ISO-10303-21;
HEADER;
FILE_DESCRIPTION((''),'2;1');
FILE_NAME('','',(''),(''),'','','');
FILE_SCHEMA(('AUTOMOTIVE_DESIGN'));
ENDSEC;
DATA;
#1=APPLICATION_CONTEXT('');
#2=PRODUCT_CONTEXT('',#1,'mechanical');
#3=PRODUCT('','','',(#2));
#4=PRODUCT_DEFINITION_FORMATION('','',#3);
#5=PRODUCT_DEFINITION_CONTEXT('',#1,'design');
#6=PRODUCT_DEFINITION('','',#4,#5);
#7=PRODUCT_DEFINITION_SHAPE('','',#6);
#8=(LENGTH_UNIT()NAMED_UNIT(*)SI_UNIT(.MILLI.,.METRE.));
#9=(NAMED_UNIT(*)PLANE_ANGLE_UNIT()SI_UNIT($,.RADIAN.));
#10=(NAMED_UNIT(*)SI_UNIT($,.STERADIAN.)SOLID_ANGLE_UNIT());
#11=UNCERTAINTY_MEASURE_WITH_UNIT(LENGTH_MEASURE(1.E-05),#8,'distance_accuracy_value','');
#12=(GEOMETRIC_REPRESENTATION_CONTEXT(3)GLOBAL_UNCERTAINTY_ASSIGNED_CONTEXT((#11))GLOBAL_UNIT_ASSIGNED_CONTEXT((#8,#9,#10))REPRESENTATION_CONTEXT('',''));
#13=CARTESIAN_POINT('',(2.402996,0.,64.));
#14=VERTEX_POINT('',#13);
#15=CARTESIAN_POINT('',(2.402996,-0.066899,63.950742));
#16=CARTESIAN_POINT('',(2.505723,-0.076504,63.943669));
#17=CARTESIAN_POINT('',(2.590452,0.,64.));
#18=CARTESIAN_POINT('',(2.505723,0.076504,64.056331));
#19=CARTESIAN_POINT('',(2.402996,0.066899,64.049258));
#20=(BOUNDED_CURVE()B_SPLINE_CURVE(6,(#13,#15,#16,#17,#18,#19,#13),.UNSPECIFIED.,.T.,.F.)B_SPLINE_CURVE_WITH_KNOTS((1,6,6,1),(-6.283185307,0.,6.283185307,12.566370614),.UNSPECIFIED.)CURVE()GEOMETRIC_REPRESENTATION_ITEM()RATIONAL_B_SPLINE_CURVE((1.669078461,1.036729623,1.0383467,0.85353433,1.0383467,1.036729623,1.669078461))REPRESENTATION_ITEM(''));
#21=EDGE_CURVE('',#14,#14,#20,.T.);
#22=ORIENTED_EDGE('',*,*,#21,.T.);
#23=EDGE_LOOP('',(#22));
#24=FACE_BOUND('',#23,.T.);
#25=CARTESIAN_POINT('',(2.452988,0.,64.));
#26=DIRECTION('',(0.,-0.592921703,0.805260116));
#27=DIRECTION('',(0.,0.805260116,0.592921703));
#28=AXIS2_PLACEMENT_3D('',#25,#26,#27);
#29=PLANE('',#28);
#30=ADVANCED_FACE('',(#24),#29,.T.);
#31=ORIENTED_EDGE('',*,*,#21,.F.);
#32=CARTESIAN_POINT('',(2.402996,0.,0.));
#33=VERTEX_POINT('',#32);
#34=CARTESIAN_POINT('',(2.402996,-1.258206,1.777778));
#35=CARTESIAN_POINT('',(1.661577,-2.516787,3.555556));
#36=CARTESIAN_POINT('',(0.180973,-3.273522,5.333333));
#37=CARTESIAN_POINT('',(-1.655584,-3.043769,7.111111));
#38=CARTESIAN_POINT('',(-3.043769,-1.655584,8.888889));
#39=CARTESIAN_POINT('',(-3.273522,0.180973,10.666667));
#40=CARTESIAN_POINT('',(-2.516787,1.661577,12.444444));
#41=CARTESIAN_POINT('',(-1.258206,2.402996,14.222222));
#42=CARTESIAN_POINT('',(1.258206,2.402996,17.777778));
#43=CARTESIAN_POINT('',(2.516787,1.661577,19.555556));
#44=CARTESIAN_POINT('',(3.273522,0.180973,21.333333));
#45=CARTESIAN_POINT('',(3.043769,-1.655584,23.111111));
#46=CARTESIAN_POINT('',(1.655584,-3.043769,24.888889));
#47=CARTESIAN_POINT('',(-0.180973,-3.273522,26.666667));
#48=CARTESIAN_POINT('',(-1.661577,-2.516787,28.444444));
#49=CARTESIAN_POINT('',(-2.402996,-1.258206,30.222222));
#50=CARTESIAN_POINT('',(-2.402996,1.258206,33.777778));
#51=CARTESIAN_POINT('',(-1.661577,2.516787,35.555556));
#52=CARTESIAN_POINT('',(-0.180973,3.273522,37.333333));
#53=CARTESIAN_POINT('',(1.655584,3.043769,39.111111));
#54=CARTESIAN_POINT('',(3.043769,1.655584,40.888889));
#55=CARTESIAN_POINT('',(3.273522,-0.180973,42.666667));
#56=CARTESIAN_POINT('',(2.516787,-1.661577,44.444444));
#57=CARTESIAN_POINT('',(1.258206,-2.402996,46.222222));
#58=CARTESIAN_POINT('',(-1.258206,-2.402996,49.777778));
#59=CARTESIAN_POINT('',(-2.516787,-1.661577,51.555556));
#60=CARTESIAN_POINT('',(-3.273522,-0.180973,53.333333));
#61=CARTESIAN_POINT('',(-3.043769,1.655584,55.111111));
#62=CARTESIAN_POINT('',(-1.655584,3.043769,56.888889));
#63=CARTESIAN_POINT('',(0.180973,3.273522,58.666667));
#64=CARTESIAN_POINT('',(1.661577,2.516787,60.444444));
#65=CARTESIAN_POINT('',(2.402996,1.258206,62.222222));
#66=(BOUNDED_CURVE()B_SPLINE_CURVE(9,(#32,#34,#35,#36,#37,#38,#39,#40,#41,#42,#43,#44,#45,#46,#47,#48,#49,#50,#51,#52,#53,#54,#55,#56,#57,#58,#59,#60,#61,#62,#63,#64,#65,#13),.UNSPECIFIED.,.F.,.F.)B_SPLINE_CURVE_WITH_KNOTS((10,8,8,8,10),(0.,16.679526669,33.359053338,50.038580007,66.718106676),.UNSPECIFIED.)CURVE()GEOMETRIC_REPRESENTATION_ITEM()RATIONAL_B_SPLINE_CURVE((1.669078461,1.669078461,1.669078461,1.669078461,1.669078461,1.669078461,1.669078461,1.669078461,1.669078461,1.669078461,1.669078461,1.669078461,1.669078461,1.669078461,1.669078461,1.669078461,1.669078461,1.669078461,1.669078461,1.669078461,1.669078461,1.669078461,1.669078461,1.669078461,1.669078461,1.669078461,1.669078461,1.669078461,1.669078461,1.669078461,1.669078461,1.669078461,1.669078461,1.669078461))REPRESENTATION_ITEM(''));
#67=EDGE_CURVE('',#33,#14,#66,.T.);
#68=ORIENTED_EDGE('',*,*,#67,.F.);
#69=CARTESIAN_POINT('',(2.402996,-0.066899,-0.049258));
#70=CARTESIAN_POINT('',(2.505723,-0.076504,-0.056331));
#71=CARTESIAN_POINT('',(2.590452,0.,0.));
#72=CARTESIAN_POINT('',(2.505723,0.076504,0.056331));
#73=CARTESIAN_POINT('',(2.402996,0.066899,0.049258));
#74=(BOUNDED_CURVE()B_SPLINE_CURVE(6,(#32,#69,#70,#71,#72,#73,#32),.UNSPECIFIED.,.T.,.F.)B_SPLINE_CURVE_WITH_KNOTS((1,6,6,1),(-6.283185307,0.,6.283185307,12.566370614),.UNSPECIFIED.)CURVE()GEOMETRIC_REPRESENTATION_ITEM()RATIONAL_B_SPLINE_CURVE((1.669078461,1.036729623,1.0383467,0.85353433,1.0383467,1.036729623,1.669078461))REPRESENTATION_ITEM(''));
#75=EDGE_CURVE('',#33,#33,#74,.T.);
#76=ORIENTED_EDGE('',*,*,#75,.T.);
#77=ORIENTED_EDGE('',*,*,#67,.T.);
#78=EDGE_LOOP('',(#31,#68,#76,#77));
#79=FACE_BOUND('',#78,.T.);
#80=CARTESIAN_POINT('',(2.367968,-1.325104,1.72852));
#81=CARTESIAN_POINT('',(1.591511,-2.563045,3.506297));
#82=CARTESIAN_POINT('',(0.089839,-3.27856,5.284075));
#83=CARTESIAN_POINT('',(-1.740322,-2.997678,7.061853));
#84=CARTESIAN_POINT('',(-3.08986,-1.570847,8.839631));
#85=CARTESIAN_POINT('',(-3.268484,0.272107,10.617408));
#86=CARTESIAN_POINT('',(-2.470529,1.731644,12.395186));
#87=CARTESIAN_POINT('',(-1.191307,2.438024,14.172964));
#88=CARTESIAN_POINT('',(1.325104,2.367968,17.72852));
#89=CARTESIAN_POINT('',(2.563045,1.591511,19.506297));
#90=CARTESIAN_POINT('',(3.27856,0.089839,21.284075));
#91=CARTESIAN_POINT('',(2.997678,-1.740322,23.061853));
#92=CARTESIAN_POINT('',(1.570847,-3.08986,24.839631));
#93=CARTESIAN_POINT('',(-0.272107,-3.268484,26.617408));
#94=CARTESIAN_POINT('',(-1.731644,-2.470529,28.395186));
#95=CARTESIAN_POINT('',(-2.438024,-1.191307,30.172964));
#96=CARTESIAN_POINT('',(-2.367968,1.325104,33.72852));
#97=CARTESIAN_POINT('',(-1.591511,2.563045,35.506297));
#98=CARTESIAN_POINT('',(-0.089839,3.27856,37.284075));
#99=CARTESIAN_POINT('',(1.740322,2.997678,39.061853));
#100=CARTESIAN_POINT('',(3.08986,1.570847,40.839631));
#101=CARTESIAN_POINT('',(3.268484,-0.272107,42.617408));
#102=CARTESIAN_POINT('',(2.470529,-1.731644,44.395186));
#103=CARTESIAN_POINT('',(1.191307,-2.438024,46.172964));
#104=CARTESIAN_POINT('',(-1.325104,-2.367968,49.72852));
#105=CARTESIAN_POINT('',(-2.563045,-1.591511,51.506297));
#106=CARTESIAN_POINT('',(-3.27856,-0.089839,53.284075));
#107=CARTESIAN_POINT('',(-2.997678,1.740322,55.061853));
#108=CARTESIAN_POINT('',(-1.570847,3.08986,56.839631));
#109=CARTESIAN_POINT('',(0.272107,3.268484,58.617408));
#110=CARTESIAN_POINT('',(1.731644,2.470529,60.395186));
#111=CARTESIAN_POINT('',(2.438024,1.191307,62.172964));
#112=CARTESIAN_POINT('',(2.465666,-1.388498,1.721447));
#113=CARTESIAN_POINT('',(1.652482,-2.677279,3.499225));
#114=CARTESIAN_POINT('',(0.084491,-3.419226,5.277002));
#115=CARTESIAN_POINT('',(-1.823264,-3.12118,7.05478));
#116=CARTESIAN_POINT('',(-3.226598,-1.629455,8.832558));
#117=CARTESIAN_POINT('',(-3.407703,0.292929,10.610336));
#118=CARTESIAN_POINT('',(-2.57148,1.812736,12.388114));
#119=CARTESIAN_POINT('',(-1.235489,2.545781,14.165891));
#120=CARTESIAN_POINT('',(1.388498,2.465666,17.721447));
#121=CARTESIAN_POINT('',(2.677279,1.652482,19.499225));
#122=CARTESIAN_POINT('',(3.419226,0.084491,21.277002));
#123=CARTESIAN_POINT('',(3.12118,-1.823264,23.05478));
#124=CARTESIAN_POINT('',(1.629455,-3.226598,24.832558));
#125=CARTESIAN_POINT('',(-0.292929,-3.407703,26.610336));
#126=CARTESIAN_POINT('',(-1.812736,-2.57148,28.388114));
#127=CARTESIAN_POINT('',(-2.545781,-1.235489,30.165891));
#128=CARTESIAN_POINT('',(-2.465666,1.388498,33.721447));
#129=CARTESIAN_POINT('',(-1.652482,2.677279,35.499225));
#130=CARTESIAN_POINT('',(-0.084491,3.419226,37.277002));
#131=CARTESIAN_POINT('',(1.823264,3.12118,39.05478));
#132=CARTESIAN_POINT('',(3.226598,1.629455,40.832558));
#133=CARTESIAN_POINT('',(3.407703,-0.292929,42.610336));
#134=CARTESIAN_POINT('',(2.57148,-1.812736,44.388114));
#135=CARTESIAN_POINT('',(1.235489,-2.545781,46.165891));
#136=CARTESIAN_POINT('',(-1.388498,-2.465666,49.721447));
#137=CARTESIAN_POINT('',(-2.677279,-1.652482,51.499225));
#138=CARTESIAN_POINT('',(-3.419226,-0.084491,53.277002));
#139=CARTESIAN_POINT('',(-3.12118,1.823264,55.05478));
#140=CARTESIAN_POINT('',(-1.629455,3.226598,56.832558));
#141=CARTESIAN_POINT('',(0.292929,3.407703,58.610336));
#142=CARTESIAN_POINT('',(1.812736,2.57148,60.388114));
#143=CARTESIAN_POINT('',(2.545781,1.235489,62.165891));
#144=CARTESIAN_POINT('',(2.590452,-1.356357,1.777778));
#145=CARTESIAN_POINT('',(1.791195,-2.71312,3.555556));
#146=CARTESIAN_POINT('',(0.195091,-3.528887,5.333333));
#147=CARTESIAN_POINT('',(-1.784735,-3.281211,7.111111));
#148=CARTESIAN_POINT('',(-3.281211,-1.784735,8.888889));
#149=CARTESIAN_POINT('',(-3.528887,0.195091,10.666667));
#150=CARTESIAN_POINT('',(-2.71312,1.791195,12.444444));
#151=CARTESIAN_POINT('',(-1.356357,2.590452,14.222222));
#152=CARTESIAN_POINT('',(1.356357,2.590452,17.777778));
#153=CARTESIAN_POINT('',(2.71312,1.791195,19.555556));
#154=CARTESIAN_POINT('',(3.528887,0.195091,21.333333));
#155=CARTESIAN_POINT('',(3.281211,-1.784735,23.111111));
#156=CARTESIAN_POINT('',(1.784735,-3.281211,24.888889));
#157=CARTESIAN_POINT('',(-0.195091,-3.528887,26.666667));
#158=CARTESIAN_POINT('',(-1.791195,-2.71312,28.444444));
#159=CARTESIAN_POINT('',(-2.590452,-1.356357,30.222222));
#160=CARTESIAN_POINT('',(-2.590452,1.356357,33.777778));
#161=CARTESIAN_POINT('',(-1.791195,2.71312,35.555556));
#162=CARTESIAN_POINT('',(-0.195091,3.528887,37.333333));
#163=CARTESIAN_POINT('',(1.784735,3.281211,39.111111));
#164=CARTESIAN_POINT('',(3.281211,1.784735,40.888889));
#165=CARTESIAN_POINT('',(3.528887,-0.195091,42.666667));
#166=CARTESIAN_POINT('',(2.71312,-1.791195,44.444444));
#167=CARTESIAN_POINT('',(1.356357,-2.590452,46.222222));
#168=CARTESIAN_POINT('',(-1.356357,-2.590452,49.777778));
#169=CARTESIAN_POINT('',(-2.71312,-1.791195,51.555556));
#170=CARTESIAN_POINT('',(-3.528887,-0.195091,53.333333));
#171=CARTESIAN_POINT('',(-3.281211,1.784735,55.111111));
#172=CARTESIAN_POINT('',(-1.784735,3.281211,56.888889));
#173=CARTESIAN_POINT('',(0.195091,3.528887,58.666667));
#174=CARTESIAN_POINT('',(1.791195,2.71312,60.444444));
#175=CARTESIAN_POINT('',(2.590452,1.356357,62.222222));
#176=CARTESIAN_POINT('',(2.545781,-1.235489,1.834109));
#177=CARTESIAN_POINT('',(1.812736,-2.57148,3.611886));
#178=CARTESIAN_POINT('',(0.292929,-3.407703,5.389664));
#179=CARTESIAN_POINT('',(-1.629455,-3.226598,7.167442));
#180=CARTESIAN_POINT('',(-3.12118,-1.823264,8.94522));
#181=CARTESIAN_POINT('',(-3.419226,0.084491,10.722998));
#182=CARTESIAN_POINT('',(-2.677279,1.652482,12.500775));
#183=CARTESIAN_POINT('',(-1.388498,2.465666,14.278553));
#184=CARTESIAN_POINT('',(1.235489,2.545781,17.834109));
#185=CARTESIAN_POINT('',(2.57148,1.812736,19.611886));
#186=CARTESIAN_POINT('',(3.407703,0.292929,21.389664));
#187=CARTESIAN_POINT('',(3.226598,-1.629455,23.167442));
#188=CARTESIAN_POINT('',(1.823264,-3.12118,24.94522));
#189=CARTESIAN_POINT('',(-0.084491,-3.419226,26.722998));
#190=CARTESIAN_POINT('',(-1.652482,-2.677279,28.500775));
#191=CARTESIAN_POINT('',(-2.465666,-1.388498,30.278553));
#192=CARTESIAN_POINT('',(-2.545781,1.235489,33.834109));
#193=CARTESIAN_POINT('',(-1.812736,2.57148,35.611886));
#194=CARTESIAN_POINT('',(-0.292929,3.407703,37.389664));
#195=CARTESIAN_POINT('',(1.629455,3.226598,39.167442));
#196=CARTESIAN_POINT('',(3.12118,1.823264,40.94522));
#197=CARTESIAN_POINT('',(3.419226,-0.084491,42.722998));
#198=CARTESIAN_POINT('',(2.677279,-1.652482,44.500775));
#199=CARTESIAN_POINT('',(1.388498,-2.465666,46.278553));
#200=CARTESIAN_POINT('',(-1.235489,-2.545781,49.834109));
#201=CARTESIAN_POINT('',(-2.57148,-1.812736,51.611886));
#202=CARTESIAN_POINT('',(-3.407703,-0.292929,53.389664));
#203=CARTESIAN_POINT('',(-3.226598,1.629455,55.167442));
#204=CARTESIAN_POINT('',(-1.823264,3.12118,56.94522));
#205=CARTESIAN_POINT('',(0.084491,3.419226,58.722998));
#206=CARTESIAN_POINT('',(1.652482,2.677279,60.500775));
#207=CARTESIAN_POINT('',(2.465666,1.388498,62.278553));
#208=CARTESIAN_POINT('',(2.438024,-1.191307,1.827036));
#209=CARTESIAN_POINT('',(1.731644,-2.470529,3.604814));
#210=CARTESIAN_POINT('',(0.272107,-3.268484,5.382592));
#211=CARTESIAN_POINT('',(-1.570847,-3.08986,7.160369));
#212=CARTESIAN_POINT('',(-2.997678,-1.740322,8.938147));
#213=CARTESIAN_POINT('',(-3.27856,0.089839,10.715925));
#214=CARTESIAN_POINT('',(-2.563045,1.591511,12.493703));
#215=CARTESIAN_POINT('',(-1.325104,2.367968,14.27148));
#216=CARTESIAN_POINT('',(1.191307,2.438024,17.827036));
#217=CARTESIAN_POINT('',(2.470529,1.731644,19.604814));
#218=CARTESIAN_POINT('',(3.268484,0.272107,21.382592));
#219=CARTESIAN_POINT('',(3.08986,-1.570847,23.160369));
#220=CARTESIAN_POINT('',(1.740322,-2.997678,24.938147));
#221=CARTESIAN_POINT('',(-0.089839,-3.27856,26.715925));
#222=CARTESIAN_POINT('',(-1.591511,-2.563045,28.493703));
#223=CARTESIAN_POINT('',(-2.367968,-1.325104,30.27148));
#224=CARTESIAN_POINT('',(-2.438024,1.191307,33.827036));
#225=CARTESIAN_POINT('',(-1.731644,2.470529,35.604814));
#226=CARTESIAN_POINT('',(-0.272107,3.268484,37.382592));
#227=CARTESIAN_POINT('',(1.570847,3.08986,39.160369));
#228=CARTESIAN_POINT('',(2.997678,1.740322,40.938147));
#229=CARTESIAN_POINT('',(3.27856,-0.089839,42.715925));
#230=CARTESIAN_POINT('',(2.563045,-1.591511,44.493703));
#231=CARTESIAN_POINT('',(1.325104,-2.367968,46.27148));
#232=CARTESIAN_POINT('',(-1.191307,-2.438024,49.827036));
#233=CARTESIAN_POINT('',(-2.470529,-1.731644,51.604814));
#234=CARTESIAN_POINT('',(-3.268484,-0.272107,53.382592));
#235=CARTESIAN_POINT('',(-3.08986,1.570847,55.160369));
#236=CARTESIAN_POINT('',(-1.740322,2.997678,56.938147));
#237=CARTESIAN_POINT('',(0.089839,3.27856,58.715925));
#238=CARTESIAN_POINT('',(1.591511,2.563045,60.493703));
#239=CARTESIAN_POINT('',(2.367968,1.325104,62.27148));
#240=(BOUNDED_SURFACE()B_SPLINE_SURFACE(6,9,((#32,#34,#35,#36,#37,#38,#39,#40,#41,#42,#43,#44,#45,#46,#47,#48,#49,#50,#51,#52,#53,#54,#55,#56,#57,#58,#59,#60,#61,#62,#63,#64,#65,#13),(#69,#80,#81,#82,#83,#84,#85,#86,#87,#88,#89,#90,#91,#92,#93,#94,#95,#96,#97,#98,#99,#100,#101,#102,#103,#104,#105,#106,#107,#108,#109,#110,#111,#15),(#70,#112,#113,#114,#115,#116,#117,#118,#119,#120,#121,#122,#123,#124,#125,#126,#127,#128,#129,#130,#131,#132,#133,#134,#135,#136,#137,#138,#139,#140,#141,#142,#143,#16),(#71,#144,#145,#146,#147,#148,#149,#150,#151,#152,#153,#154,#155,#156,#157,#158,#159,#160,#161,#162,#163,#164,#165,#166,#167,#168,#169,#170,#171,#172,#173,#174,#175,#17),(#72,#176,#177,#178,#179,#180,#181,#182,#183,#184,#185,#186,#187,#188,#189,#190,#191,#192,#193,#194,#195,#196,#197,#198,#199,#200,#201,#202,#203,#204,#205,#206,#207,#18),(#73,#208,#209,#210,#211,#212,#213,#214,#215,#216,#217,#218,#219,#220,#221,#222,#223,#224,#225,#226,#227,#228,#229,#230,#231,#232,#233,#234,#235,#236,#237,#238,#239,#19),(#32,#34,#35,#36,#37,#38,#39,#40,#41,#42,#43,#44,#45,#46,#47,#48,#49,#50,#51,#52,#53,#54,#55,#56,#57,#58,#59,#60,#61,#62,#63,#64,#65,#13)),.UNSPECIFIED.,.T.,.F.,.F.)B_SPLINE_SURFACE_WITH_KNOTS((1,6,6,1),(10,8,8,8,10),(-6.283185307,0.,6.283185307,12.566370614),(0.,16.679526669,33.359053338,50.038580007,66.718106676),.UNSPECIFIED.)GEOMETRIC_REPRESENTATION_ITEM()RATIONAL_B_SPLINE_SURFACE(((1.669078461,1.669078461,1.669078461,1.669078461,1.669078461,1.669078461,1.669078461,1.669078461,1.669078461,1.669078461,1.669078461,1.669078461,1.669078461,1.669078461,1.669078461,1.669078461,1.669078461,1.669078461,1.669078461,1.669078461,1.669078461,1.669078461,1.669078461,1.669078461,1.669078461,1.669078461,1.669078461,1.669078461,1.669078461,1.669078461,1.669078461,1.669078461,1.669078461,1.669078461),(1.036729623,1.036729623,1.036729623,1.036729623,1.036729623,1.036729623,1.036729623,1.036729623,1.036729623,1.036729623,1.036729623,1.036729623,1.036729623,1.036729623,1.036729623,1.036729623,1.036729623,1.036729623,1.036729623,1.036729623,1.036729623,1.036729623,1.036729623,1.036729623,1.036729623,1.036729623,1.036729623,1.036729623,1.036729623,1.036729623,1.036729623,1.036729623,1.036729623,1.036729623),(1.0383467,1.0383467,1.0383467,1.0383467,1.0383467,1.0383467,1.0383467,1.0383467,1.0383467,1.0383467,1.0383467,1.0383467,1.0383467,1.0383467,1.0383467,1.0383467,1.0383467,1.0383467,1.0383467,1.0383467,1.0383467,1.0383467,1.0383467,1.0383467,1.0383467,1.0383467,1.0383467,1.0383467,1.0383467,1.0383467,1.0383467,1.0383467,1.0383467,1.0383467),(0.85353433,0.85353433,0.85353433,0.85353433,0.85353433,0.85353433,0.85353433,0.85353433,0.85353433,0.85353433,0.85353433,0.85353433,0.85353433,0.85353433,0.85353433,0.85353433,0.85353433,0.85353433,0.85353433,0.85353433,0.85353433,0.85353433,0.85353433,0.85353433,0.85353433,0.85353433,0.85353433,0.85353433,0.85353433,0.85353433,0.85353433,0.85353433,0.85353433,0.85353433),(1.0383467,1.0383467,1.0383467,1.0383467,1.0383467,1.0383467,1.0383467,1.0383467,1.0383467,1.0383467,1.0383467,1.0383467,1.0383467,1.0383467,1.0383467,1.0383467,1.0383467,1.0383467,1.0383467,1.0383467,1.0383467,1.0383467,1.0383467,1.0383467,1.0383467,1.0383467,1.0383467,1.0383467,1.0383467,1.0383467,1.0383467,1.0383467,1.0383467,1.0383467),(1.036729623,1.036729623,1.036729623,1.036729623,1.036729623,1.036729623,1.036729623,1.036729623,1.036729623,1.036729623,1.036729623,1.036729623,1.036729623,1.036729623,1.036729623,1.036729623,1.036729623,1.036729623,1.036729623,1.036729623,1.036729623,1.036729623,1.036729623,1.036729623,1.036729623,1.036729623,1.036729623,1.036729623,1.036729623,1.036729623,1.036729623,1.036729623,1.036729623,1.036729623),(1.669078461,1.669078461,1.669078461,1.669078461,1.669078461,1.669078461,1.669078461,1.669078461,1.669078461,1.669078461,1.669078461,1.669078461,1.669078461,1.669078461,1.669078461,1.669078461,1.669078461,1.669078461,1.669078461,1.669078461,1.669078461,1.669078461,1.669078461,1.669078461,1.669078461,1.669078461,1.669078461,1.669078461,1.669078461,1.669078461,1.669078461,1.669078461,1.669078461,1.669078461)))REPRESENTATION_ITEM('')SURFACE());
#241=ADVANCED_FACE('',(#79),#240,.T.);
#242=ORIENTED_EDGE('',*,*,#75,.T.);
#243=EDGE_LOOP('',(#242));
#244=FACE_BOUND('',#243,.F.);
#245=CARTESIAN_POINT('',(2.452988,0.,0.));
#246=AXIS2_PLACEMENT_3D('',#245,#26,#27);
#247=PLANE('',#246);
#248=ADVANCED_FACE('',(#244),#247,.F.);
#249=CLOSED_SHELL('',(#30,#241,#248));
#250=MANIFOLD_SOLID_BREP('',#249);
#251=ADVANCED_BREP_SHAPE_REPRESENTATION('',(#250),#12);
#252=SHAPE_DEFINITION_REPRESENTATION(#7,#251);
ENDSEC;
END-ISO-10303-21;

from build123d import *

# Parameters (mm, degrees)
SWEEP1_PITCH  = 21.333333333
SWEEP1_HEIGHT = 64
SWEEP1_RADIUS = 2.5
SKETCH4_R     = 0.05


with BuildPart() as part:
    # Sweep1: sweep along a helix
    with BuildLine() as sweep1_path:
        Helix(SWEEP1_PITCH, SWEEP1_HEIGHT, SWEEP1_RADIUS, center=(0, 0, 0), direction=(0, 0, 1), lefthand=True)
    # Sketch4 → Sweep1 (sweep)
    with BuildSketch(Plane(origin=(2.5, 0, 0), x_dir=(-1, 0, 0), z_dir=(0, -0.5929217026837106, 0.805260116041177))):
        with Locations((0.047003984, 0)):
            Circle(SKETCH4_R)
    sweep(path=sweep1_path.line, is_frenet=True)


solid = part.part
